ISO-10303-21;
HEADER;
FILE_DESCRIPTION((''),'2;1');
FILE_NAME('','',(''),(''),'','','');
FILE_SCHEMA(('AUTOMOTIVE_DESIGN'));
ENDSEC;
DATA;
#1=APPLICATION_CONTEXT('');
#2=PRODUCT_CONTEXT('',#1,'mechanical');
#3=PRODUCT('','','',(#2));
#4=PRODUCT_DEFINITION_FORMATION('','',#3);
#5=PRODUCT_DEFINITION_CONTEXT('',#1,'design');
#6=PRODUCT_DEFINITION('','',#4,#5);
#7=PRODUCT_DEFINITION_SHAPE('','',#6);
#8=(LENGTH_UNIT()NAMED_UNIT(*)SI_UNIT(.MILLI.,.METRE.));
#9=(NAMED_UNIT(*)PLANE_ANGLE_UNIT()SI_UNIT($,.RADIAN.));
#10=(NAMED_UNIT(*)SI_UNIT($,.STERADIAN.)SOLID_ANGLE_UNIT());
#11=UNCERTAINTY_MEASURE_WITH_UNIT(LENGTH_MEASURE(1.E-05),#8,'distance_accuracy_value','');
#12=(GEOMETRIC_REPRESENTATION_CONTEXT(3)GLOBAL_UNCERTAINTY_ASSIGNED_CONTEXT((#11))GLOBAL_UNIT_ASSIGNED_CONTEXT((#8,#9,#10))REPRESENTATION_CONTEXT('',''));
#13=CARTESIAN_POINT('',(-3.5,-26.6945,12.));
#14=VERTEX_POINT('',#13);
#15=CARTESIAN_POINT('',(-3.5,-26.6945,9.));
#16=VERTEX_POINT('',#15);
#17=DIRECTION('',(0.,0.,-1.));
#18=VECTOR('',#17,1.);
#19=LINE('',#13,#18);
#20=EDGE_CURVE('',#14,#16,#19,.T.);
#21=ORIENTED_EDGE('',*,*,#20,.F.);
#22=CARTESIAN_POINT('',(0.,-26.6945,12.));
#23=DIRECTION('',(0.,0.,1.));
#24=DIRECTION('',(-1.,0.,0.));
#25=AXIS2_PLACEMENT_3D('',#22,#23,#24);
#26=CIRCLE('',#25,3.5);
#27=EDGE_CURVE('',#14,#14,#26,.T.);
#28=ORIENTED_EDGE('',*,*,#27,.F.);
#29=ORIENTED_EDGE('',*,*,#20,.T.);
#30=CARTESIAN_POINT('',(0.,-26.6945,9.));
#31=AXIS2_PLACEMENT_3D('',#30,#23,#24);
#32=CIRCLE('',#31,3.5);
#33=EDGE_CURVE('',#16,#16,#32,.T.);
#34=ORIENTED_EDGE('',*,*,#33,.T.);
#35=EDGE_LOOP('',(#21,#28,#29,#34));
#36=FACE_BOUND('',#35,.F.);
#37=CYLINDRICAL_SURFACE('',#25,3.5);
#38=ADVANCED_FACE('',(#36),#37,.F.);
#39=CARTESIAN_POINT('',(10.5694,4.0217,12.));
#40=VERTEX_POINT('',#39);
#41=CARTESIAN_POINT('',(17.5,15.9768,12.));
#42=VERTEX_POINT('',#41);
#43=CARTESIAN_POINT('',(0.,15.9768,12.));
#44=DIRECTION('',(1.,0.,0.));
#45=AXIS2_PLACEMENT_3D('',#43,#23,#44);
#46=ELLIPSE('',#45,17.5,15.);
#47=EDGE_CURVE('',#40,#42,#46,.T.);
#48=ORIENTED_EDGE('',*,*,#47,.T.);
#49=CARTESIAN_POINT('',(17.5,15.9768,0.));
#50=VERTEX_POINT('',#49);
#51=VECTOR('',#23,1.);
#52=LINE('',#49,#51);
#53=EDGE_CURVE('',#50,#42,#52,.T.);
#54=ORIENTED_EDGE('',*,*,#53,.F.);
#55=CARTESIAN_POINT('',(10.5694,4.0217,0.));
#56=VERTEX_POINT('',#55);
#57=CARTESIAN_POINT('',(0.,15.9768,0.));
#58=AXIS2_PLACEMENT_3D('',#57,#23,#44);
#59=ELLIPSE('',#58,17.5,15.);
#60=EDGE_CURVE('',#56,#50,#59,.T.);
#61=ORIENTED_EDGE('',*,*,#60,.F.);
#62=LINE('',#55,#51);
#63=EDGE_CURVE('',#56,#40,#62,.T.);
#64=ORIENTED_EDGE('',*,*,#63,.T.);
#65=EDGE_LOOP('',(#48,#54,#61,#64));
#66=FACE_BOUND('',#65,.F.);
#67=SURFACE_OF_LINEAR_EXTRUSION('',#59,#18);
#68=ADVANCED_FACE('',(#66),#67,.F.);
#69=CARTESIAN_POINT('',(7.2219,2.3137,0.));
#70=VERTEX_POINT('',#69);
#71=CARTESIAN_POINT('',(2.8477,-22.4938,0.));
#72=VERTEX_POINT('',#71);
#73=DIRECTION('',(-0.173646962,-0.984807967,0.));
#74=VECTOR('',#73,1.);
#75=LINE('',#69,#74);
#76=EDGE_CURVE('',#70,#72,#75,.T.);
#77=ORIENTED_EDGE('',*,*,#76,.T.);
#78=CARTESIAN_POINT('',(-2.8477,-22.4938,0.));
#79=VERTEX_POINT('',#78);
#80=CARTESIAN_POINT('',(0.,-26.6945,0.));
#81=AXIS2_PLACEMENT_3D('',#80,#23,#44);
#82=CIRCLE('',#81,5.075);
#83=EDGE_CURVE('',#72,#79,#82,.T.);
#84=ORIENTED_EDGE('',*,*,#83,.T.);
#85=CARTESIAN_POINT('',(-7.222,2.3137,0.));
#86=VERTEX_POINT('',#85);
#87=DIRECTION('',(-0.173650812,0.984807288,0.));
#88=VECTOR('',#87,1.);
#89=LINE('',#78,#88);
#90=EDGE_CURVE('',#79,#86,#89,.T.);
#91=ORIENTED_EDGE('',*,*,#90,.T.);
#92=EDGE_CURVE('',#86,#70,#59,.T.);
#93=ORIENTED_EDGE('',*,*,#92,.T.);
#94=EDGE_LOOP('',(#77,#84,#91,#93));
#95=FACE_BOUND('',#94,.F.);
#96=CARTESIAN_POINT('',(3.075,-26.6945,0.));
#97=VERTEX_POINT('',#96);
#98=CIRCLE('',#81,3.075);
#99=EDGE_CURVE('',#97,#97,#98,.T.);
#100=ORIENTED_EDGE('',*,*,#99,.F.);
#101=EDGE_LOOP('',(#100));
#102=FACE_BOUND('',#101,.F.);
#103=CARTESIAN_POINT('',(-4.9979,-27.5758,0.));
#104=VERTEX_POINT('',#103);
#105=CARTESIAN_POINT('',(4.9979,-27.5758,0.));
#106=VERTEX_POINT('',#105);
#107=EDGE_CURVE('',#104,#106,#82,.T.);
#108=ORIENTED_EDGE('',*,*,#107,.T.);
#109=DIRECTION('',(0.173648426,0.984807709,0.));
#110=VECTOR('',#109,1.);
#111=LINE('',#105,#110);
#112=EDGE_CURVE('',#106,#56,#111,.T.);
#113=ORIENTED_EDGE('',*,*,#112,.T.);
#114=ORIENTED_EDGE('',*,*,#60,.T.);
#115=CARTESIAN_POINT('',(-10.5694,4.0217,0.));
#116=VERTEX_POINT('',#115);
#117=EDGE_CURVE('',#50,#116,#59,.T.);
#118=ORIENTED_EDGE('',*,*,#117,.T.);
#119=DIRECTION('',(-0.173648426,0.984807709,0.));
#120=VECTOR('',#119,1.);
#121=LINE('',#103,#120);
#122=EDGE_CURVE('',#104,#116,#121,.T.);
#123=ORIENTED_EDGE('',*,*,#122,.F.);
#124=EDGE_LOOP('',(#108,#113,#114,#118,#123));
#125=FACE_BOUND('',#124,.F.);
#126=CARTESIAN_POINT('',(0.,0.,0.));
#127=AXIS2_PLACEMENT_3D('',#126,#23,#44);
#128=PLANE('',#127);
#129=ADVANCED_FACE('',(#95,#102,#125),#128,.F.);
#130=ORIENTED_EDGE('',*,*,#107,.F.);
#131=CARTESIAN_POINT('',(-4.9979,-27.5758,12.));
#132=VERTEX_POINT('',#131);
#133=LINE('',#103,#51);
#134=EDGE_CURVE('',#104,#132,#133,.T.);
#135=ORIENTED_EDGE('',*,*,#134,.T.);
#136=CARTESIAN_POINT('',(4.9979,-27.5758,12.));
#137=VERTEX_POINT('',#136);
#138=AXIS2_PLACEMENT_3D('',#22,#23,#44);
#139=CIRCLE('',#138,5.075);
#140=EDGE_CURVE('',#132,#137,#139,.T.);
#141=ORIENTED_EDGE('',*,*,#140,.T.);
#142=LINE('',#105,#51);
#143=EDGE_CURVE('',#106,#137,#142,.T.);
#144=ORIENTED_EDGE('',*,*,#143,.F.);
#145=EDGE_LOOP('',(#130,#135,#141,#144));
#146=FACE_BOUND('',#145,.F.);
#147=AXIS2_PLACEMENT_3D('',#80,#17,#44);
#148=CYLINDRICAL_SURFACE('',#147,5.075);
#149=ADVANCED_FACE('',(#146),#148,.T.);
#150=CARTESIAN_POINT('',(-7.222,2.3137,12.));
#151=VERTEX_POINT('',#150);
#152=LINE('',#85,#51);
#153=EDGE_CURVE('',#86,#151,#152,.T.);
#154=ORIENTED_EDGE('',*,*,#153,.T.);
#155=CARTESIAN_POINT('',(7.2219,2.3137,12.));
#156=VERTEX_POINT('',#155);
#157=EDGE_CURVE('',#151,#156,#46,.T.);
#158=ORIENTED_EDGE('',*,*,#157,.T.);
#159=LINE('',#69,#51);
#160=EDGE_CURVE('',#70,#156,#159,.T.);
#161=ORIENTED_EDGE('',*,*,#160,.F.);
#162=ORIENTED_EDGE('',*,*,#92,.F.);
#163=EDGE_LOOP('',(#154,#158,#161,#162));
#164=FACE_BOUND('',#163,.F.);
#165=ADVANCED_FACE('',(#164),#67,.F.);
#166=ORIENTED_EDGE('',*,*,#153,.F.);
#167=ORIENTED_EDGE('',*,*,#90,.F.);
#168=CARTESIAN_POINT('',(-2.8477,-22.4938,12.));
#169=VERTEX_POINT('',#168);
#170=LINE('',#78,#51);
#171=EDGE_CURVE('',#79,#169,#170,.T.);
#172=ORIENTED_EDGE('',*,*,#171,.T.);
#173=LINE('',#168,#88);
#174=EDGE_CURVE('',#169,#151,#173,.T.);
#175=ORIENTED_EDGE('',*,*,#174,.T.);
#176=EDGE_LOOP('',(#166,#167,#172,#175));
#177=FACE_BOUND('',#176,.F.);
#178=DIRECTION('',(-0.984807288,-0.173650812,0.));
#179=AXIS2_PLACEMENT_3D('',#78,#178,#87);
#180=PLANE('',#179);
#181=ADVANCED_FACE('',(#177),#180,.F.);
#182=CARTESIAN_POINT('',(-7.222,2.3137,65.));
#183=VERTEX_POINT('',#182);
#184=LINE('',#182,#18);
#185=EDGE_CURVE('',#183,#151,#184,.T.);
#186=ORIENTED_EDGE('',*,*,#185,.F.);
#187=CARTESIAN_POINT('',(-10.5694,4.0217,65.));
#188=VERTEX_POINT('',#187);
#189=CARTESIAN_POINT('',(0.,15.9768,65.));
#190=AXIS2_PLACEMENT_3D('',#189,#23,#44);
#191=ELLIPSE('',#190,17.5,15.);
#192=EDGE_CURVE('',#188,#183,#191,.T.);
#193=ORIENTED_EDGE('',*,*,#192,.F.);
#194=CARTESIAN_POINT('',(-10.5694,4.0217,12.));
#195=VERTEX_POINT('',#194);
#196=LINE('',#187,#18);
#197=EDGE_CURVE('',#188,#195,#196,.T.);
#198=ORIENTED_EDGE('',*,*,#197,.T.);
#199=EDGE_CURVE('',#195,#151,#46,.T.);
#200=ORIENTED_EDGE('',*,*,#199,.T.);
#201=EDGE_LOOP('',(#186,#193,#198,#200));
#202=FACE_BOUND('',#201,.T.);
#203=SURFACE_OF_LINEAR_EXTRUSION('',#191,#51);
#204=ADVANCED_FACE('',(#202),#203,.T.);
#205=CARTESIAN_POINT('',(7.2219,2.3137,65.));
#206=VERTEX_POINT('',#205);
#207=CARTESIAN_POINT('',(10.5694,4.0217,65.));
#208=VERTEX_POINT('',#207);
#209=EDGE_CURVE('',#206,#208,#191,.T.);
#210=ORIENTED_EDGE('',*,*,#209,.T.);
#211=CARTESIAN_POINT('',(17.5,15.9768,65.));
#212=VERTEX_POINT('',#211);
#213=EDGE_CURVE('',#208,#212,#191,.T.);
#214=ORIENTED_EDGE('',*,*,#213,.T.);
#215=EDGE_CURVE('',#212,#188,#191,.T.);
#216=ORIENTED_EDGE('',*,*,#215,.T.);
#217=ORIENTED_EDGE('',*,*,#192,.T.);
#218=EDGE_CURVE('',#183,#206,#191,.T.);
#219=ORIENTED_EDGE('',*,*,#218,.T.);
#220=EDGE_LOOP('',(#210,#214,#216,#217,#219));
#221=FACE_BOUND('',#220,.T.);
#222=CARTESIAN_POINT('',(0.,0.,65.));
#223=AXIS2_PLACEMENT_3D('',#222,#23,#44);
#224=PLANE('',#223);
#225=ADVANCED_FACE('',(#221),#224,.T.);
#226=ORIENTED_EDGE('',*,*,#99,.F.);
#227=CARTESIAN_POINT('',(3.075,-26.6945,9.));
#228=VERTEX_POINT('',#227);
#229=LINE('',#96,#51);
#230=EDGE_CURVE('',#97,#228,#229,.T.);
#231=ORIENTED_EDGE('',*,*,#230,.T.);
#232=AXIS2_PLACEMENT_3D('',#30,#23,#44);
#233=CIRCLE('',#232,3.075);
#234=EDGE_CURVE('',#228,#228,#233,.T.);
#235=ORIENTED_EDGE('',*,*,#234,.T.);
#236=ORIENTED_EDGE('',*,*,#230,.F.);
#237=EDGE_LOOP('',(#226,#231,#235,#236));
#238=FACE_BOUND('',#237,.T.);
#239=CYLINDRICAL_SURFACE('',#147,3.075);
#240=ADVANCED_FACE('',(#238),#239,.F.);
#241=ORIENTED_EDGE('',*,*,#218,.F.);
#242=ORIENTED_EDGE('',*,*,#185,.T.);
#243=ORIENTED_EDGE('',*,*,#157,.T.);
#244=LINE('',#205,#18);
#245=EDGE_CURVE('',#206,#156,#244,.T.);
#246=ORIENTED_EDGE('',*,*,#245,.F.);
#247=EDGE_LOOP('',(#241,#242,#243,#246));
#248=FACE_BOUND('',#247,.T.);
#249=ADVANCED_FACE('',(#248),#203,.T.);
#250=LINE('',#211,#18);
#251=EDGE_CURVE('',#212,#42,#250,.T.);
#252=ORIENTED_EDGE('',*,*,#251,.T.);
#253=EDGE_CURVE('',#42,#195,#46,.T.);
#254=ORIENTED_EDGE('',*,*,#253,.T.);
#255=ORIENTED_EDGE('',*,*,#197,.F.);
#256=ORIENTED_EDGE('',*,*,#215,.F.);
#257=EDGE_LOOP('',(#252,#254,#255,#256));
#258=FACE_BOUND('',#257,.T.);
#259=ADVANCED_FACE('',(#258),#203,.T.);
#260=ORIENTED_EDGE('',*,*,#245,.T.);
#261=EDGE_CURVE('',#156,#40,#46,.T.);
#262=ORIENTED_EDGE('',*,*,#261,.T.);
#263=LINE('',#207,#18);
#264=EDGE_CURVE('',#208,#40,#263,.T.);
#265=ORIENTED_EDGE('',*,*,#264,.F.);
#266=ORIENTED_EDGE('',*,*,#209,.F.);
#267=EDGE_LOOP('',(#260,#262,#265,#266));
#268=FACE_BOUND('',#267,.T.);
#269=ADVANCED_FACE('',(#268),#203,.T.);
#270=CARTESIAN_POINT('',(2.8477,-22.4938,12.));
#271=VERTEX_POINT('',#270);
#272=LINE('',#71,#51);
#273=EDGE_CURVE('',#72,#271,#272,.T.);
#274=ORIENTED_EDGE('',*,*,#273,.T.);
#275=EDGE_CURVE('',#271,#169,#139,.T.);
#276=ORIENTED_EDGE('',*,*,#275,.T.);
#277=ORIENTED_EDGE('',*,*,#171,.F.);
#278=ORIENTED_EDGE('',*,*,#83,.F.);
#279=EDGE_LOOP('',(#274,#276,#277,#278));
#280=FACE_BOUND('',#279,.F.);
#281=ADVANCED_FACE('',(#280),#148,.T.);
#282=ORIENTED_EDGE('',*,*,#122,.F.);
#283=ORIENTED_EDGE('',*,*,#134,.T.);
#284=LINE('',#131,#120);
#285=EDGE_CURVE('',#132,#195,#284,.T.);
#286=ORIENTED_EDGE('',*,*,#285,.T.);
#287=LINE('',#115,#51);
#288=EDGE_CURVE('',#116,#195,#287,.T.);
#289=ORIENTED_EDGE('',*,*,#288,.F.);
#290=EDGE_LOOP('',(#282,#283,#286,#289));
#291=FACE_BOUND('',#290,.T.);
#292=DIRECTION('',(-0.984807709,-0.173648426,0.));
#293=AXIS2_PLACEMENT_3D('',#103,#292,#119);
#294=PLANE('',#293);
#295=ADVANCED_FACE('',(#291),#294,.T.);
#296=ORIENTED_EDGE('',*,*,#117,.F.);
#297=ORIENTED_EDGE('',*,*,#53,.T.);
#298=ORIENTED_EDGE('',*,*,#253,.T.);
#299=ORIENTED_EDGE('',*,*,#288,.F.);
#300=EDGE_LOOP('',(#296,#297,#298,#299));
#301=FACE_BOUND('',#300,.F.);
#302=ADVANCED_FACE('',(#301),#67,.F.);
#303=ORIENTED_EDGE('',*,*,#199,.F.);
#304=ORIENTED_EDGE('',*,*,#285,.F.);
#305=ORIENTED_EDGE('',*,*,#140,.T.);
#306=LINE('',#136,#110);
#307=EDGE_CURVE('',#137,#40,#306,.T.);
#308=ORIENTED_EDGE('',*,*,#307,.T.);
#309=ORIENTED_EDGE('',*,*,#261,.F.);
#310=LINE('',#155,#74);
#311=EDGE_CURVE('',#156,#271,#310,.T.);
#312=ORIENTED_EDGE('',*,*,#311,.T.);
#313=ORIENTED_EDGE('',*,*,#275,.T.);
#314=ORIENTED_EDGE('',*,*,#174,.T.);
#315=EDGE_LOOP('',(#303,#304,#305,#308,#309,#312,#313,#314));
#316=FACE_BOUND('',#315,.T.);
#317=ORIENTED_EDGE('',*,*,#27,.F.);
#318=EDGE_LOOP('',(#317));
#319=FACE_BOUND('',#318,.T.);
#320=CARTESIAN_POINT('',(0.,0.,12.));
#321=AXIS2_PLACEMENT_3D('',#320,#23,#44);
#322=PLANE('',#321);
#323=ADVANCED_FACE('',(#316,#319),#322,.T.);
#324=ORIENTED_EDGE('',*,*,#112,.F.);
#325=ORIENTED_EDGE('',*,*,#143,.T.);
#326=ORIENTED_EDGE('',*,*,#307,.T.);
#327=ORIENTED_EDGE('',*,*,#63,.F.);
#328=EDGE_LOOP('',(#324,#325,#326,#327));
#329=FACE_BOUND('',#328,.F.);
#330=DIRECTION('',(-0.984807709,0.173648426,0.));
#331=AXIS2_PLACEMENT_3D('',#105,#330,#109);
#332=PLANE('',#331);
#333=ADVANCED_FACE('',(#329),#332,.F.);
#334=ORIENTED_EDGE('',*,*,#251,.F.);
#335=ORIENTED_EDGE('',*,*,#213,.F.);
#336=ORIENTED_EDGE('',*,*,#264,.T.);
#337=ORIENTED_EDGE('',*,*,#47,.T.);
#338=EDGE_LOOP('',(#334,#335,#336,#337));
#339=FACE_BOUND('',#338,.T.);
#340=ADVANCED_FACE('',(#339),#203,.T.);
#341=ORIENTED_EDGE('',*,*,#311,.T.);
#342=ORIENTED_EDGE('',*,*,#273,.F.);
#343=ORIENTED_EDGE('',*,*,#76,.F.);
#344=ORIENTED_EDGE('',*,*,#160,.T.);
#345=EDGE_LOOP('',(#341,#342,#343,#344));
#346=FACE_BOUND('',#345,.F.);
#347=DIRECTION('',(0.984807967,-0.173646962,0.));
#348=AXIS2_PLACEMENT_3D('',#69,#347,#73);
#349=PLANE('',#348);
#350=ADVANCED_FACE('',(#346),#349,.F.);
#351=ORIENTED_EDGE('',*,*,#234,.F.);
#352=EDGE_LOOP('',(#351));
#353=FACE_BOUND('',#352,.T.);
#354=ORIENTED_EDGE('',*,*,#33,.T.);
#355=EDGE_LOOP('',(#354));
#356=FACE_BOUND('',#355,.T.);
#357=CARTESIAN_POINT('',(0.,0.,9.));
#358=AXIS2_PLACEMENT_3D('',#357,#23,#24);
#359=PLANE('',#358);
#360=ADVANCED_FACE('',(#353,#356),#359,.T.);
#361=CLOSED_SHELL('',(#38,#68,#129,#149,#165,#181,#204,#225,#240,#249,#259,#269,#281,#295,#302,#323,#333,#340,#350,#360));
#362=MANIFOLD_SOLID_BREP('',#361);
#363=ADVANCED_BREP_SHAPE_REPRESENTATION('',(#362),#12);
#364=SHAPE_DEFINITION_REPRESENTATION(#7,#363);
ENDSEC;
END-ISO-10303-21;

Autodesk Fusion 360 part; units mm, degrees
sketch "Sketch1" plane through (0, 0, 0) normal (0, 0, 1) x (1, 0, 0)
  circle A0 centre (0, -26.6945) radius 3.075
  circle A1 centre (0, -26.6945) radius 5.075
  ellipse E0 centre (0, 15.9768) end of major axis (17.5, 15.9768) minor radius 15
  line L0 (-17.5, 15.9768) -> (17.5, 15.9768) construction
  line L1 (0, 0.9768) -> (0, 30.9768) construction
  line L2 (-4.9979, -27.5758) -> (-10.5694, 4.0217)
  line L3 (4.9979, -27.5758) -> (10.5694, 4.0217)
  line L4 (-2.8477, -22.4938) -> (-7.222, 2.3137)
  line L5 (7.2219, 2.3137) -> (2.8477, -22.4938)
  dimension "d1" = 6.15
  dimension "d2" = 2
  dimension "d3" = 35
  dimension "d4" = 30
  dimension "d5" = 10
  dimension "d6" = 10
  dimension "d7" = 3
  dimension "d8" = 3
extrude "Extrude1" add sketch "Sketch1" along normal blind 12 contours A1 | A1 E0 L3 L5 | A1 E0 L2 L4 | E0 makes body 1
sketch "Sketch2" plane through (0, 0, 12) normal (0, 0, 1) x (-1, 0, 0)
  circle A0 centre (0, 26.6945) radius 3.075
  ellipse E0 centre (0, -15.9768) end of major axis (-17.5, -15.9768) minor radius 15 (7.222, -2.3137) -> (-7.2219, -2.3137) ccw
  line L0 (-7.2219, -2.3137) -> (-2.8477, 22.4938)
  arc A1 (-2.8477, 22.4938) -> (2.8477, 22.4938) centre (0, 26.6945) ccw
  line L1 (2.8477, 22.4938) -> (7.222, -2.3137)
  arc A2 (4.9979, 27.5758) -> (-4.9979, 27.5758) centre (0, 26.6945) ccw
  line L2 (-4.9979, 27.5758) -> (-10.5694, -4.0217)
  ellipse E1 centre (0, -15.9768) end of major axis (-17.5, -15.9768) minor radius 15 (-10.5694, -4.0217) -> (10.5694, -4.0217) ccw
  line L3 (10.5694, -4.0217) -> (4.9979, 27.5758)
  circle A3 centre (0, 26.6945) radius 3.5
  dimension "d11" = 7
extrude "Extrude2" cut sketch "Sketch2" against normal blind 3 contours A3 bodies 1
extrude "Extrude3" add sketch "Sketch1" against normal blind 53 separate body contours E0 makes body 2
move_body "Move1" bodies 2 to x (1, 0, 0) y (0, 1, 0) z (0, 0, 1) at (0, 0, 65)
combine "Combine1" operation add target body 1 tool bodies 2
equation "d14 = -( 65 mm - 12 mm )"
